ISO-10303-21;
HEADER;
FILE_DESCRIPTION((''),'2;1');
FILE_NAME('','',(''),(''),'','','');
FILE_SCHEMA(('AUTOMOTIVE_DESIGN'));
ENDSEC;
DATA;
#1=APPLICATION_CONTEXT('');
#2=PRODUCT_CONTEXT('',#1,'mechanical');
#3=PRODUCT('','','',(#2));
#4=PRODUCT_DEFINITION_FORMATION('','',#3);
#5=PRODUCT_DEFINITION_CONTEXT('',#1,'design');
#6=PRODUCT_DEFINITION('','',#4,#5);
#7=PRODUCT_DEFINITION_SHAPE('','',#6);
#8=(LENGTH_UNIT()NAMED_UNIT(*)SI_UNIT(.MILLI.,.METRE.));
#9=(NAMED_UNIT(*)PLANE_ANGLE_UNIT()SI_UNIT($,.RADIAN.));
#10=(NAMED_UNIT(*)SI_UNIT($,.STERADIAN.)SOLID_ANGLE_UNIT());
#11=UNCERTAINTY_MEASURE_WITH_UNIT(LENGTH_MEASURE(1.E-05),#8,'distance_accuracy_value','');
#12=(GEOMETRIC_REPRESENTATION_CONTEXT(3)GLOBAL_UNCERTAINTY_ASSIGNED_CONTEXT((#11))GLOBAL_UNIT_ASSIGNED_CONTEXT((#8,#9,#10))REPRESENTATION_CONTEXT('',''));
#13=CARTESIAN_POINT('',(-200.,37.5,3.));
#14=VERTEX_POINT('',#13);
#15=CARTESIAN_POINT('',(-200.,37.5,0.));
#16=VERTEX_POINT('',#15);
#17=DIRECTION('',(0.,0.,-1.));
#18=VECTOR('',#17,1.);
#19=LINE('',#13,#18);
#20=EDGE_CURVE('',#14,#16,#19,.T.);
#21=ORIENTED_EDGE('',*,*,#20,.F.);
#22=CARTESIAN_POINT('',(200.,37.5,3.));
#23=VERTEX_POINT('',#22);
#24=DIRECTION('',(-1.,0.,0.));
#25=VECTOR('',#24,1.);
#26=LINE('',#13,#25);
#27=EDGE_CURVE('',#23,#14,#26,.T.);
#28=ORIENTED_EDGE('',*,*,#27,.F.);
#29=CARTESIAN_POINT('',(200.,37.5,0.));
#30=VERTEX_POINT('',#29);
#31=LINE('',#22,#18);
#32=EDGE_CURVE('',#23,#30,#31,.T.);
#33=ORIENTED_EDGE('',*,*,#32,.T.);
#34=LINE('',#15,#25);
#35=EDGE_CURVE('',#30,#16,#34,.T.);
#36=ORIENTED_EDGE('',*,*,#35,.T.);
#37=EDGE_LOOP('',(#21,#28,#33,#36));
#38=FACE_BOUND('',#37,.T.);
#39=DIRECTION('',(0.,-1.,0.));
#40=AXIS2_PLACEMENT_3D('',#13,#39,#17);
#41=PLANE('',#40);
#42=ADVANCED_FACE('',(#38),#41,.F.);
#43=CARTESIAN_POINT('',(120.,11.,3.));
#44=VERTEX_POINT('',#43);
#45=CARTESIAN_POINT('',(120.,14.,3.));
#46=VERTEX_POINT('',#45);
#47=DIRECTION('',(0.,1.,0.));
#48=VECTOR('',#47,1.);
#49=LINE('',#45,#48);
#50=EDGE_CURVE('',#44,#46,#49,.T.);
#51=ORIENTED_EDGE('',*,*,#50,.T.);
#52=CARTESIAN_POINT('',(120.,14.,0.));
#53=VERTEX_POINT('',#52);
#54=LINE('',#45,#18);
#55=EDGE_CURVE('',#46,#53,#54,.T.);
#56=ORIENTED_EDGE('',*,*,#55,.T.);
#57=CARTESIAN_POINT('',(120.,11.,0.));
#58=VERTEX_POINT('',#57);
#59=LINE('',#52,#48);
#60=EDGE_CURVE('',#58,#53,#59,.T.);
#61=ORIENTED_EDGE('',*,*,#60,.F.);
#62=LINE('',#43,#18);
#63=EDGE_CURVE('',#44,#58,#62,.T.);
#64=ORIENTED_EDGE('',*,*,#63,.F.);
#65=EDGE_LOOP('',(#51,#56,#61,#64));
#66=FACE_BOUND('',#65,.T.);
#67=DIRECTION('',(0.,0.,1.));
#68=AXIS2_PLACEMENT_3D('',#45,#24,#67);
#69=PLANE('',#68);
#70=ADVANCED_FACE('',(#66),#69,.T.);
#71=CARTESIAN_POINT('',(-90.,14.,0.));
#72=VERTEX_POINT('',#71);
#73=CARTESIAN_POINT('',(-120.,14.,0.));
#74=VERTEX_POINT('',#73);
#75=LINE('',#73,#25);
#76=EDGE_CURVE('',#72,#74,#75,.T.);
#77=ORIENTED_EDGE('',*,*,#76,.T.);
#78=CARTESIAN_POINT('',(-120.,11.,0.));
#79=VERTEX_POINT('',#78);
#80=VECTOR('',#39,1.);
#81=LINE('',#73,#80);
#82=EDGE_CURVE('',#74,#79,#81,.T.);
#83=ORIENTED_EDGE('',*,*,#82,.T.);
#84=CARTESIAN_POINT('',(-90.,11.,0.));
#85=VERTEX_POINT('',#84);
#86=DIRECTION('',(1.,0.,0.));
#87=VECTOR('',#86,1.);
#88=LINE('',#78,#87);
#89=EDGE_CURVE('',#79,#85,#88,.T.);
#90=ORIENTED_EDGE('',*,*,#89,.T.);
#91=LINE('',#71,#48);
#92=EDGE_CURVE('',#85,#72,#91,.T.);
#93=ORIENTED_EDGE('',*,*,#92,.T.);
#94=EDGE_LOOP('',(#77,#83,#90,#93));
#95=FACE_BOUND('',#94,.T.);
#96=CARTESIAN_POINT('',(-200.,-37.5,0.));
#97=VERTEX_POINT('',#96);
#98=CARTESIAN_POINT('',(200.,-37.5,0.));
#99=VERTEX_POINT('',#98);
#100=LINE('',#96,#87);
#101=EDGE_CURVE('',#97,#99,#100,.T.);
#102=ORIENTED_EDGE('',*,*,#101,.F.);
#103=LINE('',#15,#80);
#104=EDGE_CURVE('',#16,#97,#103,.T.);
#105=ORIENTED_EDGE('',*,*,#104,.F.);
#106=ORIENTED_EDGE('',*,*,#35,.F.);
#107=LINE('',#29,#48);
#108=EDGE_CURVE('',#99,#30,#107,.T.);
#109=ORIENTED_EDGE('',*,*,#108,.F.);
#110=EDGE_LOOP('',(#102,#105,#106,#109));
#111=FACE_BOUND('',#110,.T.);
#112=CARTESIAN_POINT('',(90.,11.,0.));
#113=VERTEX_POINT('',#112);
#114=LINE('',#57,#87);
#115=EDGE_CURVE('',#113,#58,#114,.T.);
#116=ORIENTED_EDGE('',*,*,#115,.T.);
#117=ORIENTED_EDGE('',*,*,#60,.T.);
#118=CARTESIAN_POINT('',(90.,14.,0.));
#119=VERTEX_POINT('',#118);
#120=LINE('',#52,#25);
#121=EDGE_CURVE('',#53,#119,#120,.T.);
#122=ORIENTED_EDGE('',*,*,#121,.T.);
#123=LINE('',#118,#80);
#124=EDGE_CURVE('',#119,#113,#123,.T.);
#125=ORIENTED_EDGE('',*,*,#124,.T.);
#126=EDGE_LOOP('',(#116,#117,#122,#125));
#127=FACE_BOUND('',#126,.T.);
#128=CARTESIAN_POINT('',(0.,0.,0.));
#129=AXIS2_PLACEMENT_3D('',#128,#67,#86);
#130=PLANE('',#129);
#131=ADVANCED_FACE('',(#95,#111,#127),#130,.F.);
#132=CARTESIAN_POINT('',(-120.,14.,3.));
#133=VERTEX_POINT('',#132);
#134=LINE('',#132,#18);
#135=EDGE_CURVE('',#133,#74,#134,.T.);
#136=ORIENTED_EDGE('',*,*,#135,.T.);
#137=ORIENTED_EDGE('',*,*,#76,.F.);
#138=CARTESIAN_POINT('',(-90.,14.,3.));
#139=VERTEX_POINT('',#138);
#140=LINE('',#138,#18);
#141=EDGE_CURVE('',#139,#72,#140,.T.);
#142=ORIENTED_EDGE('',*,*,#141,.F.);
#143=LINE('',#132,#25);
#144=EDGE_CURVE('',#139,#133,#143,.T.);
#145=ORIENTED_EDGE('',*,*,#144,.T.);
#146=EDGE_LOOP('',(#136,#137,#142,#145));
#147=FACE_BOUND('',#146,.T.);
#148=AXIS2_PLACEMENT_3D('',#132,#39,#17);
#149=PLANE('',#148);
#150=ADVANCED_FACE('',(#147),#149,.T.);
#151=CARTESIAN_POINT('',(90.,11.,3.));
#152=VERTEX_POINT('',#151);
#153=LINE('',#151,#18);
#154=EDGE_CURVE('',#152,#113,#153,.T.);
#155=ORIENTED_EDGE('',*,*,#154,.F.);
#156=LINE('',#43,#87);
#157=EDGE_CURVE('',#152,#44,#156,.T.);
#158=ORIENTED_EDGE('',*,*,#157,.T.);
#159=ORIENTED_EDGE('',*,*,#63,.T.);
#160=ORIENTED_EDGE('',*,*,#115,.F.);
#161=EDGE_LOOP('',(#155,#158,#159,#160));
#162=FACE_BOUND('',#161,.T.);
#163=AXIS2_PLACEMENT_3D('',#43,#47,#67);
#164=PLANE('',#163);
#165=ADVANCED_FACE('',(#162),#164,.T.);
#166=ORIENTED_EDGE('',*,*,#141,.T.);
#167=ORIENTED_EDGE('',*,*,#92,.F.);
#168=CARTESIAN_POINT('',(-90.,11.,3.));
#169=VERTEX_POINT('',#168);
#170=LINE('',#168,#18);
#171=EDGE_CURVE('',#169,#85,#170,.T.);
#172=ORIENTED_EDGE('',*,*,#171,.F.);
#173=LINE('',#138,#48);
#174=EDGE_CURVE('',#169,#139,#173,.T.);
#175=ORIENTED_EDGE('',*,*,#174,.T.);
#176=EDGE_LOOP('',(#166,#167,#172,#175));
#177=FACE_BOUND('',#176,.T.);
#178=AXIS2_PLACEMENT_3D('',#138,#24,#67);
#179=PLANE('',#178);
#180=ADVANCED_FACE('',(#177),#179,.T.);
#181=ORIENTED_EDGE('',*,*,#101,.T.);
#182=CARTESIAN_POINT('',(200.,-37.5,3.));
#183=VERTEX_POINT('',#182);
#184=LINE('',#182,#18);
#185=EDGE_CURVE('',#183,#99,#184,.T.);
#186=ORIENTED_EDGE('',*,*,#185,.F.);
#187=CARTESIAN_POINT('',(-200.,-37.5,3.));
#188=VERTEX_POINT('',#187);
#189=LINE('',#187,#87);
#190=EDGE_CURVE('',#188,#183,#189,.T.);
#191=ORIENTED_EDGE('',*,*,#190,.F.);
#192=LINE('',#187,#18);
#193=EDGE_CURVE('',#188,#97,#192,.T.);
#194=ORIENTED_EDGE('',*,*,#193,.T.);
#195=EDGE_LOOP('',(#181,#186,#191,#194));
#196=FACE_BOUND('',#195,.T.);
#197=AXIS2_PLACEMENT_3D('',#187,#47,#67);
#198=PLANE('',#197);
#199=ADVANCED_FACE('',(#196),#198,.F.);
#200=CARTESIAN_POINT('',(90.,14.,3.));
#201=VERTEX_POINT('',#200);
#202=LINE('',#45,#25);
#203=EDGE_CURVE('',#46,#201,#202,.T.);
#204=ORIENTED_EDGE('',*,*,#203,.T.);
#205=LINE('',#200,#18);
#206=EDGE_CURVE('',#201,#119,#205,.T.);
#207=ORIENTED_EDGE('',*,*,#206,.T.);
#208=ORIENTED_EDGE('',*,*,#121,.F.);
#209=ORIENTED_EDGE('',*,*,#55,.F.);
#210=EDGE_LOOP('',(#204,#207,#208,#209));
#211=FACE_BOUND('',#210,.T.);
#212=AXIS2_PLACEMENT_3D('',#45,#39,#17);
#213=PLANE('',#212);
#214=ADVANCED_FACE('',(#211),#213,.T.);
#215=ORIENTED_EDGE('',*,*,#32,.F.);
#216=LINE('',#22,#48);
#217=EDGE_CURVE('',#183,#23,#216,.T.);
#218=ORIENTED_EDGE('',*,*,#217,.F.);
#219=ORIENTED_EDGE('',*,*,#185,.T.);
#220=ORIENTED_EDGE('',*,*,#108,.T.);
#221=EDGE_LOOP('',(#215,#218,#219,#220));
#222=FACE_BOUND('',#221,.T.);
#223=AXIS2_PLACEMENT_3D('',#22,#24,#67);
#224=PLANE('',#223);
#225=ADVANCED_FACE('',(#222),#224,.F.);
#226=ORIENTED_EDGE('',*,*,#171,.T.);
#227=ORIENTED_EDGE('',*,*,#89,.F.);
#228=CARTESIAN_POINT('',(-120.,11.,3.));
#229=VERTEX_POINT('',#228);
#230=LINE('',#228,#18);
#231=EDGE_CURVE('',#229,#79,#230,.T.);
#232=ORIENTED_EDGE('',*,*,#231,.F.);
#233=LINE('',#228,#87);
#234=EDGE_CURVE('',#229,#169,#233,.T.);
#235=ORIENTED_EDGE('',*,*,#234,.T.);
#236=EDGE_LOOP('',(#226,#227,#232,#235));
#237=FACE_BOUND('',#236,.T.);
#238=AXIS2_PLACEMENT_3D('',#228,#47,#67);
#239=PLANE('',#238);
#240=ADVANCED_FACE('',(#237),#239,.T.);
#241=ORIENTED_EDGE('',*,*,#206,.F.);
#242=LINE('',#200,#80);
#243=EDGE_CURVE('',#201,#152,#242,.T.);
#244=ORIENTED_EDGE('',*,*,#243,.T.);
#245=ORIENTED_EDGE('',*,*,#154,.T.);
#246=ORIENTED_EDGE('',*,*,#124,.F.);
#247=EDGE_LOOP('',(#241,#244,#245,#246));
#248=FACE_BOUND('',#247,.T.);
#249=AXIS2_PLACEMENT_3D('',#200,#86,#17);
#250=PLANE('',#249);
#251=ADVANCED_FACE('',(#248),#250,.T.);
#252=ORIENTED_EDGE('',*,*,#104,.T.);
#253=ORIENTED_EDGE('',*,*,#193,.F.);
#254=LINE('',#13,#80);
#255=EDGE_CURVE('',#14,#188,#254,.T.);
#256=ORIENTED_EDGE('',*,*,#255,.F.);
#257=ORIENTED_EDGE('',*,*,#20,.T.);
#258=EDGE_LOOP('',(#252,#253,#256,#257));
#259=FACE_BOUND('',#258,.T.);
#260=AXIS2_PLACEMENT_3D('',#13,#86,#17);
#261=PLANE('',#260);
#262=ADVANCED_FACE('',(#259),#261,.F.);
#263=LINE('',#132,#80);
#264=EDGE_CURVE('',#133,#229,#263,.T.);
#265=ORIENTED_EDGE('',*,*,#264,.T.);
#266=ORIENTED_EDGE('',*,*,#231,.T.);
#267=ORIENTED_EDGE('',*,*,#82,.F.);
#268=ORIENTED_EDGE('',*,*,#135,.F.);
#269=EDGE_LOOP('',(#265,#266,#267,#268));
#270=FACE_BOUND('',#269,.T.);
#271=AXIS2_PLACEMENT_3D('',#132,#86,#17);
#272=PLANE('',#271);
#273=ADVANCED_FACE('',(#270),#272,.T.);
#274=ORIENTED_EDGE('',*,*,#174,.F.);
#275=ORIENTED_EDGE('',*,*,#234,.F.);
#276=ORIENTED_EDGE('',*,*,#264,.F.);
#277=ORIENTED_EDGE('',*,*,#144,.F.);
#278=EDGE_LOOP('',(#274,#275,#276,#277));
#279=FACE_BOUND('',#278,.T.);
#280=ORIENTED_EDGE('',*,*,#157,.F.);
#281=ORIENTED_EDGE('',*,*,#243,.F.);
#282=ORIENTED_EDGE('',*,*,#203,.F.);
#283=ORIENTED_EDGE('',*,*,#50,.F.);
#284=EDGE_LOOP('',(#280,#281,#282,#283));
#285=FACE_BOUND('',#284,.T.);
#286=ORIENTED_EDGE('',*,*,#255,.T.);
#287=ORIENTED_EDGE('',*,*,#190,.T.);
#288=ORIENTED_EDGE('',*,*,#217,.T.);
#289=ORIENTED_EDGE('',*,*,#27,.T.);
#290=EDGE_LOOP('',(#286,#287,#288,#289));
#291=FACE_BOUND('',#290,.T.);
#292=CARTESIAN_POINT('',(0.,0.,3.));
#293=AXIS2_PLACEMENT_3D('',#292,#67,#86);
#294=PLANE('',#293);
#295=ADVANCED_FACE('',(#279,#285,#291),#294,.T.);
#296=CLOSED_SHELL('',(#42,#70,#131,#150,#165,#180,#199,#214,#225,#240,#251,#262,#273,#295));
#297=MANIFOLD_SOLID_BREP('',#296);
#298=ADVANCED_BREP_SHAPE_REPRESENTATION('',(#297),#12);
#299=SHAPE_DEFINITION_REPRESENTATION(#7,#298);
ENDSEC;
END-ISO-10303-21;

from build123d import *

# Parameters (mm, degrees)
CROQUIS1_W              = 400
CROQUIS1_H              = 75
CROQUIS1_W_2            = 30
CROQUIS1_H_2            = 3
SALIENTE_EXTRUIR1_DEPTH = 3


with BuildPart() as part:
    # Croquis1 → Saliente-Extruir1 (new body)
    with BuildSketch(Plane.XY):
        Rectangle(CROQUIS1_W, CROQUIS1_H)
        with Locations((-105, 12.5)):
            Rectangle(CROQUIS1_W_2, CROQUIS1_H_2, mode=Mode.SUBTRACT)
        with Locations((105, 12.5)):
            Rectangle(CROQUIS1_W_2, CROQUIS1_H_2, mode=Mode.SUBTRACT)
    extrude(amount=SALIENTE_EXTRUIR1_DEPTH)


solid = part.part
